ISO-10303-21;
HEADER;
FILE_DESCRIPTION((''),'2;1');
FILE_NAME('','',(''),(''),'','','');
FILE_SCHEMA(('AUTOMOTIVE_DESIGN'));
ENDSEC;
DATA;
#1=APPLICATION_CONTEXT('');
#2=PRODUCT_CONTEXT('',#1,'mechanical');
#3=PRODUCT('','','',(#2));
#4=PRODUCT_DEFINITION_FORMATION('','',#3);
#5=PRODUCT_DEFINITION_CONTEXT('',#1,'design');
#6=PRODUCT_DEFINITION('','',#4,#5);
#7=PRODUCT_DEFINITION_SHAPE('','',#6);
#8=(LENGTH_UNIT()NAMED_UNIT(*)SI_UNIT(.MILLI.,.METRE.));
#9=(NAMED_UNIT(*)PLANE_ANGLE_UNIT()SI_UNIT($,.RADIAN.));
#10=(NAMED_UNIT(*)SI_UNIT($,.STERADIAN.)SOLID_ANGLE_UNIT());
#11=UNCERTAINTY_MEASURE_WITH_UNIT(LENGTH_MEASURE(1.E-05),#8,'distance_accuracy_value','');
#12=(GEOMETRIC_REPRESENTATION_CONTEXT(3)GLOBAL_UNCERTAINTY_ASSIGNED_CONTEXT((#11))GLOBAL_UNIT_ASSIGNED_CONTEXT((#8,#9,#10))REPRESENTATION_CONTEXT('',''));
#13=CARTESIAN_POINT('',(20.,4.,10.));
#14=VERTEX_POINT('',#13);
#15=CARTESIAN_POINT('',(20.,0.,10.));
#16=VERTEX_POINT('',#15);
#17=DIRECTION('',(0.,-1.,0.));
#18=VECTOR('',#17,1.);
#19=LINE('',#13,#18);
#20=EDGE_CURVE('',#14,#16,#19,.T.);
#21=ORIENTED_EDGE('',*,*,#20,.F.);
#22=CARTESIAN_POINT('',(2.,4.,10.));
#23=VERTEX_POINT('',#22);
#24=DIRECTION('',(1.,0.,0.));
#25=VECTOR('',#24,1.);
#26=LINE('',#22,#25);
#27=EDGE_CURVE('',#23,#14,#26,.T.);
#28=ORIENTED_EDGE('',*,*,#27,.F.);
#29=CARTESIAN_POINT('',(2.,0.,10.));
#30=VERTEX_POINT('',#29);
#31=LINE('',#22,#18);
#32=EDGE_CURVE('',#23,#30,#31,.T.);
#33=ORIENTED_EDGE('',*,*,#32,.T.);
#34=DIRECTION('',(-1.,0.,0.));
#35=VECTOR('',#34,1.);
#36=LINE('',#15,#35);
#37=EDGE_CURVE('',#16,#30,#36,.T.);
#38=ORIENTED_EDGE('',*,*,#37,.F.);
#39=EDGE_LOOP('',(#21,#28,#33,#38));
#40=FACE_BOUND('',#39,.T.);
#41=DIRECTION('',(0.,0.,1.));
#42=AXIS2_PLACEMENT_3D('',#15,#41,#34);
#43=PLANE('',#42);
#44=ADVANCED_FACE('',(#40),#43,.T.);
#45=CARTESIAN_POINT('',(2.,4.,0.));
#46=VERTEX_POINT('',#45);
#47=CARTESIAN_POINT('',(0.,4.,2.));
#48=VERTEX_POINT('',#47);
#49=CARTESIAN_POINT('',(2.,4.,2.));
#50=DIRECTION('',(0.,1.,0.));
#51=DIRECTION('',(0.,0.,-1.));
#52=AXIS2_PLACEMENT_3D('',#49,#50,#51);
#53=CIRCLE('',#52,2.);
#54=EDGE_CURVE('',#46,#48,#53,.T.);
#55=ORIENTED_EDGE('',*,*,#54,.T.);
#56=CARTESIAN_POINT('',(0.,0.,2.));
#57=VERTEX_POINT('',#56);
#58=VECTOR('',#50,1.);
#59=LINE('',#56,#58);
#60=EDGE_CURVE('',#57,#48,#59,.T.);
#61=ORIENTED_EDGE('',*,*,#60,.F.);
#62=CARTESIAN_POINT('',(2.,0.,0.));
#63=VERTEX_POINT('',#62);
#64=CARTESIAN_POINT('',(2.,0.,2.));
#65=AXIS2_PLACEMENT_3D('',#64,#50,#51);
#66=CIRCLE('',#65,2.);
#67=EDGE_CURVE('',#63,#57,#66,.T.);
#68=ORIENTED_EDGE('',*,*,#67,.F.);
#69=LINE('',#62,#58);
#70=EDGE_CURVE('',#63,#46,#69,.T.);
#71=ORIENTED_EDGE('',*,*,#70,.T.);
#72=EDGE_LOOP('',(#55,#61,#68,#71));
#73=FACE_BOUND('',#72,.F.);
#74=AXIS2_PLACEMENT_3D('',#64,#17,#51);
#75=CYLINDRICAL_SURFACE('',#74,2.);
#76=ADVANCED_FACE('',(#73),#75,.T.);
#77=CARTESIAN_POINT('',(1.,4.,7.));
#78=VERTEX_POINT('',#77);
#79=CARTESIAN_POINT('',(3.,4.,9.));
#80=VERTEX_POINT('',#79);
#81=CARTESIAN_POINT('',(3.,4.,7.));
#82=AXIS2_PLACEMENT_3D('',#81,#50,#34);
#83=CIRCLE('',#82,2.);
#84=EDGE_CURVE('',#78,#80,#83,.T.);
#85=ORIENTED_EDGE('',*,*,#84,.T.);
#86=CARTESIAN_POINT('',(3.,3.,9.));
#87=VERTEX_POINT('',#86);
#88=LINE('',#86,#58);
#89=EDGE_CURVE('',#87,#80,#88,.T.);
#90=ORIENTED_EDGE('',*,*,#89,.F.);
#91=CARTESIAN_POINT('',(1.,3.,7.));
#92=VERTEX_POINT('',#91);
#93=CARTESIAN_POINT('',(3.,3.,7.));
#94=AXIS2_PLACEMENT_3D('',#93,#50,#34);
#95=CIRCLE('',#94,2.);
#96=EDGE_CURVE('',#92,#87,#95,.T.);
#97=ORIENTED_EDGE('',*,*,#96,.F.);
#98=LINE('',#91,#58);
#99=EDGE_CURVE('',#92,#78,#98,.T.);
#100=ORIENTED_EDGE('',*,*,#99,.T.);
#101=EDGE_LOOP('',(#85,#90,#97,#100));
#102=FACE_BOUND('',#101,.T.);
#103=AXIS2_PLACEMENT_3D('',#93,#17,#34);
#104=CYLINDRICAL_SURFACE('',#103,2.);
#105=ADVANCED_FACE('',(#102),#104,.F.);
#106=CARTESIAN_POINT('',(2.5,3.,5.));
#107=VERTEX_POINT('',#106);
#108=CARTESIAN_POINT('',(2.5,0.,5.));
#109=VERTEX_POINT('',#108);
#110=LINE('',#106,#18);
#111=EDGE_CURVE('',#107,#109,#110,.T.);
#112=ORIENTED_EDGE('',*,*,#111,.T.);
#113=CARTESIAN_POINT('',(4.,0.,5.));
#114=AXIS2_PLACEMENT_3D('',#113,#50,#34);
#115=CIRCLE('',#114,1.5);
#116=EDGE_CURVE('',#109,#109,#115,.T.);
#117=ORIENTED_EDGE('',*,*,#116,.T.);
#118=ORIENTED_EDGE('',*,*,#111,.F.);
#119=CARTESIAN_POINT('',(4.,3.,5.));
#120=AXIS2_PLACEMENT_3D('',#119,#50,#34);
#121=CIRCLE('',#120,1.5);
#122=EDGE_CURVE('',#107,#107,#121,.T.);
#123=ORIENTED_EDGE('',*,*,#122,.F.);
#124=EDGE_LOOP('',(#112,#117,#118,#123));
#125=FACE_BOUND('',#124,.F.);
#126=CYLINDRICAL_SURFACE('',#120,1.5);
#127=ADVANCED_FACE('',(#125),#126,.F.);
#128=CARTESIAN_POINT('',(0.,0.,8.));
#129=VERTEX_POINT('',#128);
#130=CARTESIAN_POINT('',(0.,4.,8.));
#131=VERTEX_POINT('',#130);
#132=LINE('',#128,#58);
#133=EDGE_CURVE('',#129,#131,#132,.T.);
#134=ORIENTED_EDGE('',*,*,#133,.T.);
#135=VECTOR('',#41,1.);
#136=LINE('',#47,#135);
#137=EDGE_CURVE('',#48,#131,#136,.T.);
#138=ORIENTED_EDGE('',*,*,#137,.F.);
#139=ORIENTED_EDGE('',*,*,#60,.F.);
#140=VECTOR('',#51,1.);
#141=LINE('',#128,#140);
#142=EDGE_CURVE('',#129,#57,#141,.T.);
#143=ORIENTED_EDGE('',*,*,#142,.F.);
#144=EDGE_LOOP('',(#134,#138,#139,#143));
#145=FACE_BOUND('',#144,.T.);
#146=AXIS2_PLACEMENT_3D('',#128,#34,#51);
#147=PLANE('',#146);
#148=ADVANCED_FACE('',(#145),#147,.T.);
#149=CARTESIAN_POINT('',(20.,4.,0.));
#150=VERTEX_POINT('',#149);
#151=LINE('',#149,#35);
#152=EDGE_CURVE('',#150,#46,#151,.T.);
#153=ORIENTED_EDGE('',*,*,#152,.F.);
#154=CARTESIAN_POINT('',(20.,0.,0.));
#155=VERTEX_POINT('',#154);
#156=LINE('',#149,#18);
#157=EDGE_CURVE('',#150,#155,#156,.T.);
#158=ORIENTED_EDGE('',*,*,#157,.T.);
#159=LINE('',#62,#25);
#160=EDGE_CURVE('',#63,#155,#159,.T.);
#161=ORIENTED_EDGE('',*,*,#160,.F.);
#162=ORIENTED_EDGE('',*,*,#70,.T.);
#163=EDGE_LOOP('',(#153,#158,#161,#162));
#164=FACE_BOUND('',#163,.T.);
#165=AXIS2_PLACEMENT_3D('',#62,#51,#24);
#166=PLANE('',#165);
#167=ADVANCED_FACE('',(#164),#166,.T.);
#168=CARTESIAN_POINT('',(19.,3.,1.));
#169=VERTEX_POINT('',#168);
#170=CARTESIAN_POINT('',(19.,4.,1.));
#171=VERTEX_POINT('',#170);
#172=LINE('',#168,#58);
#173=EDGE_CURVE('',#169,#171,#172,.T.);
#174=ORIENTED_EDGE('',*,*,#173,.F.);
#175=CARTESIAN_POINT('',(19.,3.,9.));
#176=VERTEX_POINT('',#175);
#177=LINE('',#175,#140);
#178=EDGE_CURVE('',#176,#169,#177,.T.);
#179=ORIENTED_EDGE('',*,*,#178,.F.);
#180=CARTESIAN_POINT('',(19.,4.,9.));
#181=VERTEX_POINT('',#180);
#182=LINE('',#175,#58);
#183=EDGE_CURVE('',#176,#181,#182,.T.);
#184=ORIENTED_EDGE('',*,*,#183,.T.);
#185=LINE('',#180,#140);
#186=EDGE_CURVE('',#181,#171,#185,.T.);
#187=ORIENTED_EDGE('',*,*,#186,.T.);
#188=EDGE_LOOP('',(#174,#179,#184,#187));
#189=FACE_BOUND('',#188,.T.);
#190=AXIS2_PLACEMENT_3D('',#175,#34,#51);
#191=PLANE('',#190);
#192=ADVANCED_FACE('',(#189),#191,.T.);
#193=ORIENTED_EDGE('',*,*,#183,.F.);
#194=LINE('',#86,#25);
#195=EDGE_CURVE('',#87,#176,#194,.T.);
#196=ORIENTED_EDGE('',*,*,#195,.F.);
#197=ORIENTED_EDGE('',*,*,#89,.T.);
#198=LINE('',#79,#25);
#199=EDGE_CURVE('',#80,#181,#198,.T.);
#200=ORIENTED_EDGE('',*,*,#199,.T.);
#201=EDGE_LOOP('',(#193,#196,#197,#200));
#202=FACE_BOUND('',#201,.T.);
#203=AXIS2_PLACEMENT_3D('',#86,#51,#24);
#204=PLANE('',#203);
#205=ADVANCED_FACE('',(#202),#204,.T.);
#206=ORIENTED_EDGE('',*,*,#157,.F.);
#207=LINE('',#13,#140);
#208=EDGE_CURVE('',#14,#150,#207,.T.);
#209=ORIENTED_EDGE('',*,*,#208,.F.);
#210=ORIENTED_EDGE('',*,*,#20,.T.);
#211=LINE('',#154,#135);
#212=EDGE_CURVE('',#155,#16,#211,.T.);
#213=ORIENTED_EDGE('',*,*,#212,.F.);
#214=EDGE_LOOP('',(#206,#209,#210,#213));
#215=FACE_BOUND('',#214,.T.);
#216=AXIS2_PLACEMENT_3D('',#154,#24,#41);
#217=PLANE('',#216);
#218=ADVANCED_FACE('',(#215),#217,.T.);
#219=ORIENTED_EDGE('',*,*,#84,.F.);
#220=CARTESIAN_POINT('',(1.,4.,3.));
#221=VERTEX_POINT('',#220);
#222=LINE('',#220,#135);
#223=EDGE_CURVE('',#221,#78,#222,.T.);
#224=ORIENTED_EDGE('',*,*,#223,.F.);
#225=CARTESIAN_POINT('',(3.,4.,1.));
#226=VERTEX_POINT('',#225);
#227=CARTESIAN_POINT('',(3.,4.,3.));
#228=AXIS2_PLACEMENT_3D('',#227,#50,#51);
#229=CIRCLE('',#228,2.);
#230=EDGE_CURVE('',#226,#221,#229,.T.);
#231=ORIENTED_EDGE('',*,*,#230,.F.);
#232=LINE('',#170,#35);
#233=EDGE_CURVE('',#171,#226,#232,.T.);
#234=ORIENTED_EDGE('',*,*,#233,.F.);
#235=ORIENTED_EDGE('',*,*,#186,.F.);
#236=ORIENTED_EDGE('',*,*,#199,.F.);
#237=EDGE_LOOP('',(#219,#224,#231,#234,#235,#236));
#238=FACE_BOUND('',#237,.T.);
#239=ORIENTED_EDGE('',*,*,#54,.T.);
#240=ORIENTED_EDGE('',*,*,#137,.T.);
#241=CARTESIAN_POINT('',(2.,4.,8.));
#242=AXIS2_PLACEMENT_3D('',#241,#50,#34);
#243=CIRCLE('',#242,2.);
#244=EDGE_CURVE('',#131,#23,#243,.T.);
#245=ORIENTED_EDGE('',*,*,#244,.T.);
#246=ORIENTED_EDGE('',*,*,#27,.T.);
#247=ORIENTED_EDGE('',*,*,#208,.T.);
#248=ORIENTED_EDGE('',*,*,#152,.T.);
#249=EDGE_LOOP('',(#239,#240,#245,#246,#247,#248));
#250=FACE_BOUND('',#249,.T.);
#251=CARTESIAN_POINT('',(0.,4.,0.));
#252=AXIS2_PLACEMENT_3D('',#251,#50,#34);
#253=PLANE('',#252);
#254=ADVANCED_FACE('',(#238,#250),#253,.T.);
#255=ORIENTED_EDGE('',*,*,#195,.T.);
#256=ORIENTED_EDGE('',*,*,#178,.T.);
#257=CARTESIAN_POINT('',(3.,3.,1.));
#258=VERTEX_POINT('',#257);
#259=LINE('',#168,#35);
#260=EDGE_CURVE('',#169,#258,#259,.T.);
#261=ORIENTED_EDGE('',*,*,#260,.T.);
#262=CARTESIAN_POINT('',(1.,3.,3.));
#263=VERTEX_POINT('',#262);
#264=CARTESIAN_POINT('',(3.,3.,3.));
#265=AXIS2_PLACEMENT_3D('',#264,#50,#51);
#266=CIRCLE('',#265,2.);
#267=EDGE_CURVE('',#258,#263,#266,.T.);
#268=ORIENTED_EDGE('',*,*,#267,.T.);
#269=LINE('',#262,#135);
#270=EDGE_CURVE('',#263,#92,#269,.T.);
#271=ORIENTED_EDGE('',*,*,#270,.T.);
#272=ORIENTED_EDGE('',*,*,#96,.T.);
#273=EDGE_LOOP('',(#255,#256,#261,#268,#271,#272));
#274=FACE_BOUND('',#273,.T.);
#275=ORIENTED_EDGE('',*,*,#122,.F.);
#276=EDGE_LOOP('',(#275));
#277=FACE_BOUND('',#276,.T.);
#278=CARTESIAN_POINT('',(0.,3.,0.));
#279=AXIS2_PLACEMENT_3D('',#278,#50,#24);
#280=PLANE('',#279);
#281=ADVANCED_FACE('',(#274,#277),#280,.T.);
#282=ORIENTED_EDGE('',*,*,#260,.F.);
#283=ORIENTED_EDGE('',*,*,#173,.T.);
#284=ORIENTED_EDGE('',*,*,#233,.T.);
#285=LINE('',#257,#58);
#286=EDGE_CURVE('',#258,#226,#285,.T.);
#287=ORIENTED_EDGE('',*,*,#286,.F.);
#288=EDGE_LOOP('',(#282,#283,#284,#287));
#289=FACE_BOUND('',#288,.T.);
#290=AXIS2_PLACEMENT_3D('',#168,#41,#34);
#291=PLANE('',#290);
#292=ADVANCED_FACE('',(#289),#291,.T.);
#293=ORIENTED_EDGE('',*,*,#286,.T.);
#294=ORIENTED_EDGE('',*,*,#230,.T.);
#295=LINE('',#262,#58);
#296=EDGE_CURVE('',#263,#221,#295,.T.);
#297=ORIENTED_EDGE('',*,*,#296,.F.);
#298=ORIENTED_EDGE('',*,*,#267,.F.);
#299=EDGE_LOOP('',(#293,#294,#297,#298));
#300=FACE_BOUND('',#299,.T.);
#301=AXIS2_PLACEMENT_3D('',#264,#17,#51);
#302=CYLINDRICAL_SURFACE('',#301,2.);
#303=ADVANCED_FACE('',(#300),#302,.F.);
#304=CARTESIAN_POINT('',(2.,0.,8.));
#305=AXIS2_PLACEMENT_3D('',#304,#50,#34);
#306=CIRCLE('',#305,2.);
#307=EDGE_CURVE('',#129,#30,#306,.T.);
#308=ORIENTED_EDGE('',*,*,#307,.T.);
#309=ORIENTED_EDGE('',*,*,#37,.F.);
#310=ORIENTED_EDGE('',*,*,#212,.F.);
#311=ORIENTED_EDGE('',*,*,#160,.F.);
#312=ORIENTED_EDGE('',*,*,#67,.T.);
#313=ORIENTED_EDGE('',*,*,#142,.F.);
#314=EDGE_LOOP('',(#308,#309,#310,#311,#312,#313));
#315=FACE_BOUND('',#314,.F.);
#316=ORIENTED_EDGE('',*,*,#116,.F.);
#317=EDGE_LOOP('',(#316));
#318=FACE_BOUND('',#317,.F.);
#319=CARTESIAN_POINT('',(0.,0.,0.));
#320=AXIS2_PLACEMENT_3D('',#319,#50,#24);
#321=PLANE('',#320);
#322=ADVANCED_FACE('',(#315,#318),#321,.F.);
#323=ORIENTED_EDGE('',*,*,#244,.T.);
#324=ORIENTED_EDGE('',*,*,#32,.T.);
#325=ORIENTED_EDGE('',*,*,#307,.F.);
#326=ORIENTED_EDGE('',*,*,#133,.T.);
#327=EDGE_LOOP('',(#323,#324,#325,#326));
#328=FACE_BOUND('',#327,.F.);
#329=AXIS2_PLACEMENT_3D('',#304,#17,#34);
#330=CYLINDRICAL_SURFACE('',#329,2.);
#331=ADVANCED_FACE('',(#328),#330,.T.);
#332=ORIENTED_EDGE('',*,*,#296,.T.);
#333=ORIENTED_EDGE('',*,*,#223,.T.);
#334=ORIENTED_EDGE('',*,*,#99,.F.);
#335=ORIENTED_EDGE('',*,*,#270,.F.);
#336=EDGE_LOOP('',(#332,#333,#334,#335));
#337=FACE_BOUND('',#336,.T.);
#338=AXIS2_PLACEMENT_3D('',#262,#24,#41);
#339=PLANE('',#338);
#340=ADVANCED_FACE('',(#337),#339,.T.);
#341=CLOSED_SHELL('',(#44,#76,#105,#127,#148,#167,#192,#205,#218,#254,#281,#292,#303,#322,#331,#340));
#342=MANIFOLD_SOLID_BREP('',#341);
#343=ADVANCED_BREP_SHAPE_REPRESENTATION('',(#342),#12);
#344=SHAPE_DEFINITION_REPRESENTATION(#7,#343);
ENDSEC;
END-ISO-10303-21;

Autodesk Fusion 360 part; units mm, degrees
sketch "Sketch1" plane through (0, 0, 0) normal (0, 1, 0) x (1, 0, 0)
  line L0 (2, 0) -> (20, 0)
  line L1 (20, 0) -> (20, -10)
  line L2 (20, -10) -> (2, -10)
  line L3 (0, -8) -> (0, -2)
  arc A0 (2, 0) -> (0, -2) centre (2, -2) ccw
  arc A1 (0, -8) -> (2, -10) centre (2, -8) ccw
  point P0 (0, -10)
  dimension "d1" = 10
  dimension "d2" = 20
  dimension "d12" = 2
extrude "Extrude1" add sketch "Sketch1" along normal blind 3
sketch "Sketch2" plane through (0, 3, 0) normal (0, 1, 0) x (-1, 0, 0)
  line L0 (-2, 10) -> (-20, 10)
  line L1 (-20, 10) -> (-20, 0)
  line L2 (-20, 0) -> (-2, 0)
  line L3 (0, 2) -> (0, 8)
  line L4 (-3, 9) -> (-19, 9)
  line L5 (-19, 9) -> (-19, 1)
  line L6 (-19, 1) -> (-3, 1)
  line L7 (-1, 3) -> (-1, 7)
  circle A0 centre (-4, 5) radius 1.5
  line L8 (0, 5) -> (-20, 5) construction
  line L9 (-11, 0) -> (-11, 10) construction
  arc A1 (-2, 0) -> (0, 2) centre (-2, 2) ccw
  arc A2 (0, 8) -> (-2, 10) centre (-2, 8) ccw
  arc A3 (-3, 1) -> (-1, 3) centre (-3, 3) ccw
  arc A4 (-1, 7) -> (-3, 9) centre (-3, 7) ccw
  dimension "d6" = 3
  dimension "d7" = 3
  dimension "d13" = 2
  dimension "d14" = 2
extrude "Extrude2" add sketch "Sketch2" along normal blind 1 contours L0 L1 L2 L3 A1 A2
extrude "Extrude3" cut sketch "Sketch2" against normal blind 3 contours A0
